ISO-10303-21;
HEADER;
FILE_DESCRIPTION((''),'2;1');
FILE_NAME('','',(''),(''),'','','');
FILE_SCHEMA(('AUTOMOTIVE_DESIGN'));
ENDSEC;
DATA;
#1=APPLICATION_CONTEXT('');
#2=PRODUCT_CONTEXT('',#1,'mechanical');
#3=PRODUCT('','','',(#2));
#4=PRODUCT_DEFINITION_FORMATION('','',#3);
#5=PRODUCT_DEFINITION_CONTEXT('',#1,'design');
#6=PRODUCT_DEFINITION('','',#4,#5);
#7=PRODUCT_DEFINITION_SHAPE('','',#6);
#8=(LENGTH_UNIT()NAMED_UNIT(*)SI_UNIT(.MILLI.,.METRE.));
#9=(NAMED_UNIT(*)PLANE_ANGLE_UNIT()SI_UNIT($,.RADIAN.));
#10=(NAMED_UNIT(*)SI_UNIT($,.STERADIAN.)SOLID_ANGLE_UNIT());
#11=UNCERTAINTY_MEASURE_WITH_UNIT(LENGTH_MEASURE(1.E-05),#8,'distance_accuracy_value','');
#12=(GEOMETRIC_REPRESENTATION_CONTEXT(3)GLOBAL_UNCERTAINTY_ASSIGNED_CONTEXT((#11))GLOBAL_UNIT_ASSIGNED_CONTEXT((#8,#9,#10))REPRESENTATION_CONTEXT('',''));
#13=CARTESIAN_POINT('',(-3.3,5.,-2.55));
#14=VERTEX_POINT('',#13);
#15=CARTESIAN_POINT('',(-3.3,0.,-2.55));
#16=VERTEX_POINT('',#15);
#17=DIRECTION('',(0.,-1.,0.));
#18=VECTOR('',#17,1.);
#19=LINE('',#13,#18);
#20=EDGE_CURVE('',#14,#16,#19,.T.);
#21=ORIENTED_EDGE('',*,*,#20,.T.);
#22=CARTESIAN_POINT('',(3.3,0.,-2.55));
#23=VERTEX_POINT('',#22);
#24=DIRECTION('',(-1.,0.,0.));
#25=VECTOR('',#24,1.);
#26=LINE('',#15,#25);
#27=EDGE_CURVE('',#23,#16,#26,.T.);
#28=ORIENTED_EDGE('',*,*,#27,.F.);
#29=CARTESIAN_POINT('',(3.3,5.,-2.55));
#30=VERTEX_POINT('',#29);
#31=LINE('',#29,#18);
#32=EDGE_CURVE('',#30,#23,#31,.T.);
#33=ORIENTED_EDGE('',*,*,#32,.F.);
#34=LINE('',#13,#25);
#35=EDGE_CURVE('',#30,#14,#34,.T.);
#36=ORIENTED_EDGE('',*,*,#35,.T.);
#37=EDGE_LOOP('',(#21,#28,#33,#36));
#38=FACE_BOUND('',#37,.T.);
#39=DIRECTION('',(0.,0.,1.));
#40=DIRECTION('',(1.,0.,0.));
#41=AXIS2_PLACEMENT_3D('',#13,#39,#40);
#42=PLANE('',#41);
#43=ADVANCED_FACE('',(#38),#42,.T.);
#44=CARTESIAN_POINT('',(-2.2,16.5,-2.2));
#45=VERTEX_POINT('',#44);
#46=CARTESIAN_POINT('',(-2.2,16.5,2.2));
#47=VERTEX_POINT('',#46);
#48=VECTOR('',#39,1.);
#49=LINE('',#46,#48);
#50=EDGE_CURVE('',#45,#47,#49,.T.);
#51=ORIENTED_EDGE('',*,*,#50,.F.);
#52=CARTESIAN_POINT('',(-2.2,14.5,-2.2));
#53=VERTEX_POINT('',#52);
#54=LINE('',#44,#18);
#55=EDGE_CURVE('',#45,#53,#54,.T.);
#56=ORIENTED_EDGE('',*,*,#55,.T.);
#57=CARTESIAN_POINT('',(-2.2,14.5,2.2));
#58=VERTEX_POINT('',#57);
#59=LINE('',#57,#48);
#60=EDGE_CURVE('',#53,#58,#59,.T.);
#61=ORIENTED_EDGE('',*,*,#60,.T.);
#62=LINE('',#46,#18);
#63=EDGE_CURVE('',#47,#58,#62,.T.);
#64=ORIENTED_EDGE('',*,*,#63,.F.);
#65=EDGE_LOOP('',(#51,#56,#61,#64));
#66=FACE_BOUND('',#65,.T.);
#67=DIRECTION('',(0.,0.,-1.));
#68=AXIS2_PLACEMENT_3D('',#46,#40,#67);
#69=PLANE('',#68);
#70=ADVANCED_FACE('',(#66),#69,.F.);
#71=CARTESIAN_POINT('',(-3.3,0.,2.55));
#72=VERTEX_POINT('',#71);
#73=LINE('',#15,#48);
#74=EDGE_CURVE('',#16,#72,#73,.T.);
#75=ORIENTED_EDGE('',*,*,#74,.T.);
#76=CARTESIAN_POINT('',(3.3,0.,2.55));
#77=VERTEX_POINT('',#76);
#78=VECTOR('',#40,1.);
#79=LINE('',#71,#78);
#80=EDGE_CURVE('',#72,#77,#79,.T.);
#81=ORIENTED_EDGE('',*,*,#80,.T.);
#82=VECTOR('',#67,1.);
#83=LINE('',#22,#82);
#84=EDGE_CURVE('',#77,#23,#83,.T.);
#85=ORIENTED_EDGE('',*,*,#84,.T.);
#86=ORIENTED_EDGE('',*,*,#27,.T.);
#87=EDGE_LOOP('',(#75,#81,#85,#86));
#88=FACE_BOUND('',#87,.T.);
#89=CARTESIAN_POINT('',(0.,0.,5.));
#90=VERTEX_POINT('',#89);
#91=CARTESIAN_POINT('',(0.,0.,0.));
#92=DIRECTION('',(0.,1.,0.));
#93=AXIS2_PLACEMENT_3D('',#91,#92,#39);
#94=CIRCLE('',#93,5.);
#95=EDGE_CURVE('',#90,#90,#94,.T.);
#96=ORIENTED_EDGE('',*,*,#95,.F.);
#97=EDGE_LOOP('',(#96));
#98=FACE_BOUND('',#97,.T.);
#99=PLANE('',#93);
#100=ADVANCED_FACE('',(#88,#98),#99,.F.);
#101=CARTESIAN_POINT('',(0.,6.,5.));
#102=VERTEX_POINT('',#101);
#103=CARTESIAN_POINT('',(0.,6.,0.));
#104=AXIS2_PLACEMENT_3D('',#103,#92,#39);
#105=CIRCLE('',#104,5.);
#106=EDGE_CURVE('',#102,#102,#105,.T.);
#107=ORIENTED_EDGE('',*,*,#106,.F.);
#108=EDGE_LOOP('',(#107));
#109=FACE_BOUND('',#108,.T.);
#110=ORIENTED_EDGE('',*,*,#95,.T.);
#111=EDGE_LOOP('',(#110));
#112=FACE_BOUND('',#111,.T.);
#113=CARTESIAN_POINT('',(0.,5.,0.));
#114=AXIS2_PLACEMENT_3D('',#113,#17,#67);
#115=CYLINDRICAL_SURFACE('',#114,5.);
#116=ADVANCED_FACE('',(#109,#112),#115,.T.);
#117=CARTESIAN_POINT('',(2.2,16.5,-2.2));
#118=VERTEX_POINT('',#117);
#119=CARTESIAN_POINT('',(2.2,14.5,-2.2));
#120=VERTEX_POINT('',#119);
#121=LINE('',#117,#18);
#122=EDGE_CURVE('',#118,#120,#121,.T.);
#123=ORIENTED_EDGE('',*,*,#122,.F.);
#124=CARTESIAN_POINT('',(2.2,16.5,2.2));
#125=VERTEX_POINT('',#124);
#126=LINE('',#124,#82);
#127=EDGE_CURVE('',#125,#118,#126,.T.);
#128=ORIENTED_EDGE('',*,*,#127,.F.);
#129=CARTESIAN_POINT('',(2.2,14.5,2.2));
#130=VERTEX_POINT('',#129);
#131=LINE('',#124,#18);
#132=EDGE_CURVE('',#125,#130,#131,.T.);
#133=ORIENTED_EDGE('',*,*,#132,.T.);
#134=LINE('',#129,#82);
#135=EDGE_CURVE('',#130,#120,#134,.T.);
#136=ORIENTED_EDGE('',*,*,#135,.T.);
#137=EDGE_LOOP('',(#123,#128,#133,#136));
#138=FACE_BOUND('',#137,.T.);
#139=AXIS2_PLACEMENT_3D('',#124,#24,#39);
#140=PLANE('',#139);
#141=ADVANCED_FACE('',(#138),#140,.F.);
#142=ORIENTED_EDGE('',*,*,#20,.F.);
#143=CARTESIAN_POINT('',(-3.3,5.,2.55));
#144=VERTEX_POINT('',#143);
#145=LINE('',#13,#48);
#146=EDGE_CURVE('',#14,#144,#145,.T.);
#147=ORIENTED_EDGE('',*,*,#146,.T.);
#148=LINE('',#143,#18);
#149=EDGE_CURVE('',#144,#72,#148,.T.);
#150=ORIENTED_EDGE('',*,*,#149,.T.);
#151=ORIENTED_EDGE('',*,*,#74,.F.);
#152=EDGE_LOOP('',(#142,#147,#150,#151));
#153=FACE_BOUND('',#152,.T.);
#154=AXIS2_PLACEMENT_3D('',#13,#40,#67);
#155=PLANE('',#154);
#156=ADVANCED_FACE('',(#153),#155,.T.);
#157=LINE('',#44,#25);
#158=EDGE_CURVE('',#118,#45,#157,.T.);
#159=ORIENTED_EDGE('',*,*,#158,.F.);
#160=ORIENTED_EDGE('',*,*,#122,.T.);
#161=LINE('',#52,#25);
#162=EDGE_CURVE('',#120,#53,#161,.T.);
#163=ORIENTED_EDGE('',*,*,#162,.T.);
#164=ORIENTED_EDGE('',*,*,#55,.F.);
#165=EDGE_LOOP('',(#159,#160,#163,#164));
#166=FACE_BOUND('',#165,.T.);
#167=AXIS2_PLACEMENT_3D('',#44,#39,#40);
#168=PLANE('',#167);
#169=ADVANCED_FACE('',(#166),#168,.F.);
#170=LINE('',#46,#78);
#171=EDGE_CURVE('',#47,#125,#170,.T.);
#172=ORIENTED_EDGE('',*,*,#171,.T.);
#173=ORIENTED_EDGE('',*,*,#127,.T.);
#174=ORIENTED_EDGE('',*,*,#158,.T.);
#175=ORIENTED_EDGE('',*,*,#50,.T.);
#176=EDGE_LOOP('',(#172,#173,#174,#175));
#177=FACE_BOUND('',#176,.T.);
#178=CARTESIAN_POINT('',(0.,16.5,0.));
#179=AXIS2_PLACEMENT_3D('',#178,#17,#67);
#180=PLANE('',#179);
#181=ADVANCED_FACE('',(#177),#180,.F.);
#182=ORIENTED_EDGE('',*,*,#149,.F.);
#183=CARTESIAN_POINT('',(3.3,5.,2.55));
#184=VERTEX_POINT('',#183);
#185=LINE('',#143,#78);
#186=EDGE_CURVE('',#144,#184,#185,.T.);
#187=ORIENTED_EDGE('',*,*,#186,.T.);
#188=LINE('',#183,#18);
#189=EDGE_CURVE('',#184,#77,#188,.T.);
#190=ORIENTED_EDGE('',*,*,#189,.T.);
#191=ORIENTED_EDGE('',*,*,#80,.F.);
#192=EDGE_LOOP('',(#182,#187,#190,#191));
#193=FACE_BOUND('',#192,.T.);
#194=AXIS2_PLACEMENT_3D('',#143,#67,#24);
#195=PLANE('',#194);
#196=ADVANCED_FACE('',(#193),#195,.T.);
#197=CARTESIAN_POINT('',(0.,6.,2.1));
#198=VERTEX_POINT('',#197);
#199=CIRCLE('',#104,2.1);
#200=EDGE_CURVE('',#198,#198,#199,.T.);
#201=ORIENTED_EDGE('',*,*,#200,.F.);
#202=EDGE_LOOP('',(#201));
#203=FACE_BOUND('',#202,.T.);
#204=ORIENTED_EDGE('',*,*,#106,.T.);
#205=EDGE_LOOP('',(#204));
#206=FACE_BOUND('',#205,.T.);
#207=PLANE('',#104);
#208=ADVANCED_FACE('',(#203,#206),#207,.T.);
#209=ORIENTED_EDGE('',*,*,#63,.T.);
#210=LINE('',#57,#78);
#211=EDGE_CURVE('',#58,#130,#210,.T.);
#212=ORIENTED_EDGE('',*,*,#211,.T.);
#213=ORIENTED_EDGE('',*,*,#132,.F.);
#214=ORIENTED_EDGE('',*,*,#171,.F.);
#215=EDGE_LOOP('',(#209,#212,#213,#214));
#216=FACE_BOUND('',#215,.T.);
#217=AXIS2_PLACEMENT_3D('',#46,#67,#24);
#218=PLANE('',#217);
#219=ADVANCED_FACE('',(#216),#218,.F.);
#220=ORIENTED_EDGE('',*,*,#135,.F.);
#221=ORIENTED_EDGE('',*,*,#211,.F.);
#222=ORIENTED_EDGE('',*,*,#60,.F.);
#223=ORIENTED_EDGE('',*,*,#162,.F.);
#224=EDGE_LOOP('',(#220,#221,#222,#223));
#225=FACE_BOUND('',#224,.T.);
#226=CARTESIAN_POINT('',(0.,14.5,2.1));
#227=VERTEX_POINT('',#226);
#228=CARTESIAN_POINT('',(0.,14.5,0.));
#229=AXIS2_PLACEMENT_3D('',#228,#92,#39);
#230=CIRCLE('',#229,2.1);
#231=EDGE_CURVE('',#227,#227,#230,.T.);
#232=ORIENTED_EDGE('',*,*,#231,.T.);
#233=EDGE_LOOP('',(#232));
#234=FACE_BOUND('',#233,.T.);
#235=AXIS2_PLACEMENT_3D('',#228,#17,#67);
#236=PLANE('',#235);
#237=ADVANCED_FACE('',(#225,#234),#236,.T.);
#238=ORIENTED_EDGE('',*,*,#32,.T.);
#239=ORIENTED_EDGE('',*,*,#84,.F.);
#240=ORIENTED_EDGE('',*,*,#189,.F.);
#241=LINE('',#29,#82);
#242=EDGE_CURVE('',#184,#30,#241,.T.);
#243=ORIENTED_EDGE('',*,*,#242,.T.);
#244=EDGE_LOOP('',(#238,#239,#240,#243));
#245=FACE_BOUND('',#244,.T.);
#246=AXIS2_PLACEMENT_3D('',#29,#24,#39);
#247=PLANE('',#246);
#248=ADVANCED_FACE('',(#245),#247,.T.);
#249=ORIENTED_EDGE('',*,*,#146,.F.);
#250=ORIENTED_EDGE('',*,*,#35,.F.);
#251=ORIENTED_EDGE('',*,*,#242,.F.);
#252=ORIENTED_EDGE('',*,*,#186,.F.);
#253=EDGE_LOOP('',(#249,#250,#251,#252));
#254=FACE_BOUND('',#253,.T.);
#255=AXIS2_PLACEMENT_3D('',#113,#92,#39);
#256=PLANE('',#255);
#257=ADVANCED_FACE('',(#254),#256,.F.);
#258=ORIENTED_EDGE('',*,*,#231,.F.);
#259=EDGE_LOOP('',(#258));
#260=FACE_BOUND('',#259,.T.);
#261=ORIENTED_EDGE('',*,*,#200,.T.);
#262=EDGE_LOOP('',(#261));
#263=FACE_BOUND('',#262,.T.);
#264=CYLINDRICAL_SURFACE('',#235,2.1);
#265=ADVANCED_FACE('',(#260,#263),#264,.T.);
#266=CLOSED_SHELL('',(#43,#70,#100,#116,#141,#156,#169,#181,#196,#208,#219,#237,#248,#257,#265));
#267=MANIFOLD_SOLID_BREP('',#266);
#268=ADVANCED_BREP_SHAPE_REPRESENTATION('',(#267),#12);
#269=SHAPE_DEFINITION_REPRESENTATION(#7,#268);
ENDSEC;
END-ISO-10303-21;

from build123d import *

# Parameters (mm, degrees)
SKETCH1_R           = 5
SKETCH1_W           = 6.6
SKETCH1_H           = 5.1
BOSS_EXTRUDE1_DEPTH = 5
SKETCH2_R           = 5
BOSS_EXTRUDE2_DEPTH = 1
SKETCH3_R           = 2.1
BOSS_EXTRUDE3_DEPTH = 8.5
SKETCH4_W           = 4.4
SKETCH4_H           = 4.4
BOSS_EXTRUDE4_DEPTH = 2


with BuildPart() as part:
    # Sketch1 → Boss-Extrude1 (new body)
    with BuildSketch(Plane(origin=(0, 0, 0), x_dir=(1, 0, 0), z_dir=(0, 1, 0))):
        Circle(SKETCH1_R)
        Rectangle(SKETCH1_W, SKETCH1_H, mode=Mode.SUBTRACT)
    extrude(amount=BOSS_EXTRUDE1_DEPTH)

    # Sketch2 → Boss-Extrude2 (add)
    with BuildSketch(Plane(origin=(0, 5, 0), x_dir=(1, 0, 0), z_dir=(0, 1, 0))):
        Circle(SKETCH2_R)
    extrude(amount=BOSS_EXTRUDE2_DEPTH)

    # Sketch3 → Boss-Extrude3 (add)
    with BuildSketch(Plane(origin=(0, 6, 0), x_dir=(1, 0, 0), z_dir=(0, 1, 0))):
        Circle(SKETCH3_R)
    extrude(amount=BOSS_EXTRUDE3_DEPTH)

    # Sketch4 → Boss-Extrude4 (add)
    with BuildSketch(Plane(origin=(0, 14.5, 0), x_dir=(1, 0, 0), z_dir=(0, 1, 0))):
        Rectangle(SKETCH4_W, SKETCH4_H)
    extrude(amount=BOSS_EXTRUDE4_DEPTH)


solid = part.part
